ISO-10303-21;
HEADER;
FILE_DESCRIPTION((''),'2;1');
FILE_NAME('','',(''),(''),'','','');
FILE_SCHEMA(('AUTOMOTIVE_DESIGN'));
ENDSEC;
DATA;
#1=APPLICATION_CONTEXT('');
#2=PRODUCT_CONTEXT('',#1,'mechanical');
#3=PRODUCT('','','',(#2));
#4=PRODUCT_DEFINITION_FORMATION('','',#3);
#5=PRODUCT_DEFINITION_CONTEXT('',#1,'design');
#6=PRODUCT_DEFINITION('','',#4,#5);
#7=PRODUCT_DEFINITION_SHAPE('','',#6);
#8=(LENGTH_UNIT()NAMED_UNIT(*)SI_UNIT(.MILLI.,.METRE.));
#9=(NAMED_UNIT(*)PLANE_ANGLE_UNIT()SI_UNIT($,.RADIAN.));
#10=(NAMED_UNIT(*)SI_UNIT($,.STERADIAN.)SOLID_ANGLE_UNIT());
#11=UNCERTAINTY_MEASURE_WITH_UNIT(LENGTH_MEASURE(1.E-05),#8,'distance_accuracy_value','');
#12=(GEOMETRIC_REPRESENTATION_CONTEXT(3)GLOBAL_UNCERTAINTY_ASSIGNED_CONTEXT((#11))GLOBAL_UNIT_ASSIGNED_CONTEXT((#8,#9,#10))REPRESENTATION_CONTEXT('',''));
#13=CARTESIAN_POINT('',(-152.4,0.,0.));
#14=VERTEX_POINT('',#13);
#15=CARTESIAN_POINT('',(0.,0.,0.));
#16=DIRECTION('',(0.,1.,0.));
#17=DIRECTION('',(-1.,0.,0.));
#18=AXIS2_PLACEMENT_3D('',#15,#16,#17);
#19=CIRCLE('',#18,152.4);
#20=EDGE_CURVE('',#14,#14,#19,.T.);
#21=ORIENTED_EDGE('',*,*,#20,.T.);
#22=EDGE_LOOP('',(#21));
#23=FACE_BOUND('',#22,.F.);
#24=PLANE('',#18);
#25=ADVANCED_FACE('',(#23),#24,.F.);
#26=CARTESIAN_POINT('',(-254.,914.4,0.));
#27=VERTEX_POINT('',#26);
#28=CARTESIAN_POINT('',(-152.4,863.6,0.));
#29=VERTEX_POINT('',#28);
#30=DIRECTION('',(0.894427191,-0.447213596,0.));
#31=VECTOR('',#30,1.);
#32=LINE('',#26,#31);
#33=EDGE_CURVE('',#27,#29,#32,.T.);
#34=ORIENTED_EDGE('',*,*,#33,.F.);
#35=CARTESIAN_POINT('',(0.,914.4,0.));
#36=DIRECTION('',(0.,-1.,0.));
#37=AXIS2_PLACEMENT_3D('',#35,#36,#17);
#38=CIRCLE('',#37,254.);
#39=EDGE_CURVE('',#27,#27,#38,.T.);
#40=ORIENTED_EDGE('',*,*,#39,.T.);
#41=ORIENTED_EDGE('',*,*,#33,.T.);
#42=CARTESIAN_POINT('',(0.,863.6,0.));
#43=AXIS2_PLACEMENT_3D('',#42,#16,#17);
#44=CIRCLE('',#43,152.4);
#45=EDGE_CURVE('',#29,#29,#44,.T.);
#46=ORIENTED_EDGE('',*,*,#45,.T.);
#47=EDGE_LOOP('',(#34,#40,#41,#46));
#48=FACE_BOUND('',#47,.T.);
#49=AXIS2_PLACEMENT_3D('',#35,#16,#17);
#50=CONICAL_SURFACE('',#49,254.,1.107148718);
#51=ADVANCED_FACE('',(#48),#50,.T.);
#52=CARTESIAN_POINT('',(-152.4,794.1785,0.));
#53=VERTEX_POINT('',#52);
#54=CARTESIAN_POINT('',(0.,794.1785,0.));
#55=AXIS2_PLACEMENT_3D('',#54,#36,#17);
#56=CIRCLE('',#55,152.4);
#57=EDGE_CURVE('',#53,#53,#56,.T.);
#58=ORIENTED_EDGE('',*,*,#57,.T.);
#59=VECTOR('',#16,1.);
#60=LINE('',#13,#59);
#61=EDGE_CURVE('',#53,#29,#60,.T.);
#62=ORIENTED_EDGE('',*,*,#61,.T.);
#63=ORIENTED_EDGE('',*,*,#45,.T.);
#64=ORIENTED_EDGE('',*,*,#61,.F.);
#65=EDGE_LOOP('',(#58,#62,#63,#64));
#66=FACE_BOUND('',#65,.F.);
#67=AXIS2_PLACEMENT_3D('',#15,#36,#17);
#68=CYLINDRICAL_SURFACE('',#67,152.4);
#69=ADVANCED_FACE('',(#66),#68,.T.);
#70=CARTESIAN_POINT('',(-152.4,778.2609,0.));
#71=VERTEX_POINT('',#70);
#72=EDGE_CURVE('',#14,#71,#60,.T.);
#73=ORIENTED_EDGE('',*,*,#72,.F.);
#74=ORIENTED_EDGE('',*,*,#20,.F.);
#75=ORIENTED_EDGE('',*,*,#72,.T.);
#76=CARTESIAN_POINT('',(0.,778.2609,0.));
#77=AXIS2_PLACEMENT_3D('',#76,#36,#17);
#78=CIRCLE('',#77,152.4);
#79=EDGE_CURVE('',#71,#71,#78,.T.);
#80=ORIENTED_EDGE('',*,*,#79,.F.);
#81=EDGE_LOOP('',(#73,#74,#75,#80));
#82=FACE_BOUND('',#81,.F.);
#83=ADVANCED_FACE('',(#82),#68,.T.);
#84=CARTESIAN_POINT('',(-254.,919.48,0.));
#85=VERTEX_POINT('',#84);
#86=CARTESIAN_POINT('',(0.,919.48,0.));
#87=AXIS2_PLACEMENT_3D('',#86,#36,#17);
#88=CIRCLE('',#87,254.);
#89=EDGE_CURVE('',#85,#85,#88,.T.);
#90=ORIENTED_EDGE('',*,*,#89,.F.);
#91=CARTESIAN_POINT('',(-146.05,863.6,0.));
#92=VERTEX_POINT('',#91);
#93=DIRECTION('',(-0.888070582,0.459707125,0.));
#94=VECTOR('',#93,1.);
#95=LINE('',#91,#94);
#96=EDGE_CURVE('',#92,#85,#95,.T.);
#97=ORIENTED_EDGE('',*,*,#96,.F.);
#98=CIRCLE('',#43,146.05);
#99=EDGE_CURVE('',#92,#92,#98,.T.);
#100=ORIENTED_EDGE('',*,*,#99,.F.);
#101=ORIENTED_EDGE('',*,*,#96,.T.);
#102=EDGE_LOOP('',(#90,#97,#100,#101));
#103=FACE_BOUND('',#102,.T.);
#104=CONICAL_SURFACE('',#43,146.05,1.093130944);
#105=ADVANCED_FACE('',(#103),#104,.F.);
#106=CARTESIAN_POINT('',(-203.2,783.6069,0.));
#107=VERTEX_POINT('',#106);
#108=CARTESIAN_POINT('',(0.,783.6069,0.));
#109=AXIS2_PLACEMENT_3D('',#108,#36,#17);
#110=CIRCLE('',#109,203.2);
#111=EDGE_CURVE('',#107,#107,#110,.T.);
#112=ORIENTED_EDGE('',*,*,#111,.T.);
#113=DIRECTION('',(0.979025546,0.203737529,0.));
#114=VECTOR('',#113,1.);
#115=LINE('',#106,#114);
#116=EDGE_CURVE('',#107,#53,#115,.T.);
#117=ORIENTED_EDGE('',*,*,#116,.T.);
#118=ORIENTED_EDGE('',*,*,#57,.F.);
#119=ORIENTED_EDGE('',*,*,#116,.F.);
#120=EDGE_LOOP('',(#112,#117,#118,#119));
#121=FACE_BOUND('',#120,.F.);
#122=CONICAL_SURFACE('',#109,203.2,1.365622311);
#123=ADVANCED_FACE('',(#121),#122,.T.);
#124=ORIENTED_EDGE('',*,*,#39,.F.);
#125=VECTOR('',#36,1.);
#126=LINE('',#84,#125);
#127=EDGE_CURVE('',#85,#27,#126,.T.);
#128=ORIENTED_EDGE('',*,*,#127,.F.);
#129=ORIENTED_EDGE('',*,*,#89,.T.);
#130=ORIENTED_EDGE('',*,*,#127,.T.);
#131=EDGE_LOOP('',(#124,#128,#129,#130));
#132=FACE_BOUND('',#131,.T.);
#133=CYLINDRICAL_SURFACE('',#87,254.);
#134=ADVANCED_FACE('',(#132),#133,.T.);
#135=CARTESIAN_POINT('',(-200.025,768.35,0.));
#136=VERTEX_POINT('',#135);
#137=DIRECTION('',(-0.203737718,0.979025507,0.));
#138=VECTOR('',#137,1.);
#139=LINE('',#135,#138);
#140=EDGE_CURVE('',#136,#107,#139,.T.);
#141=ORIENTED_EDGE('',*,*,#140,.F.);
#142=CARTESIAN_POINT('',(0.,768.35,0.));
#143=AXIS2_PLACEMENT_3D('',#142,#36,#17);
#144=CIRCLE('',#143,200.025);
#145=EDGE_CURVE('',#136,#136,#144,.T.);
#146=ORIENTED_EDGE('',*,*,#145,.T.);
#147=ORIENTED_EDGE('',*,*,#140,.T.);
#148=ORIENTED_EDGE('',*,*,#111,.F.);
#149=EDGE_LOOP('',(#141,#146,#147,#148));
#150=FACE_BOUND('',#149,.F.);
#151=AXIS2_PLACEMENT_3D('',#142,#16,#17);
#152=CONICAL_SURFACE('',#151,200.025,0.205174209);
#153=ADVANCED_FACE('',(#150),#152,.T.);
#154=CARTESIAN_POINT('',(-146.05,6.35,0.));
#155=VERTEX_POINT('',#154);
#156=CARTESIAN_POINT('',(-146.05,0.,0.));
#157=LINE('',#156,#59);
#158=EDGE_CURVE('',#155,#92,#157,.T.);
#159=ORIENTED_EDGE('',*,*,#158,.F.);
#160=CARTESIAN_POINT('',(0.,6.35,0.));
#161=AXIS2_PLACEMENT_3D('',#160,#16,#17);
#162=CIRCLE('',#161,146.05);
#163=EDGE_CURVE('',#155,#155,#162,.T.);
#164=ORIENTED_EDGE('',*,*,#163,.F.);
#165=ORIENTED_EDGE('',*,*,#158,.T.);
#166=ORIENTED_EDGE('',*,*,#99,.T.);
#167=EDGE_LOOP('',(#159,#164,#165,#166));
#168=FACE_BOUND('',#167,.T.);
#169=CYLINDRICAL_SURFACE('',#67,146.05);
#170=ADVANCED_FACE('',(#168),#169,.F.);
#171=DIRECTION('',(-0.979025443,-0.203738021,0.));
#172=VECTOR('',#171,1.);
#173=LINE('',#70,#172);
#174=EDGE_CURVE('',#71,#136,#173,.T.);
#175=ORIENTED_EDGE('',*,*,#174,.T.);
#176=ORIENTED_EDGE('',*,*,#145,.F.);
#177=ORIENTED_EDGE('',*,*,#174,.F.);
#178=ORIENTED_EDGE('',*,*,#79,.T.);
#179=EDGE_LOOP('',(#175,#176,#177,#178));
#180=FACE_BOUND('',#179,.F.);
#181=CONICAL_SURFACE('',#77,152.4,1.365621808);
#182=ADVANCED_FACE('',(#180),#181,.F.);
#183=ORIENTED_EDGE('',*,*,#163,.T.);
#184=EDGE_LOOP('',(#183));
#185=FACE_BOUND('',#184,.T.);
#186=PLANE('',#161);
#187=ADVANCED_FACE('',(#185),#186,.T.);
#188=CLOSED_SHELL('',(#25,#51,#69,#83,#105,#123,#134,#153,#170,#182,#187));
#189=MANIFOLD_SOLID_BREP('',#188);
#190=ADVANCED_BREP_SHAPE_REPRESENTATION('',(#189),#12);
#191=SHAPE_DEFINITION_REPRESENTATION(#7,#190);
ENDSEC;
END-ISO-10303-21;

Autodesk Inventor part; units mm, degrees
ref_plane "YZ Plane" through (0, 0, 0) normal (1, 0, 0) x (0, 1, 0)
ref_plane "XZ Plane" through (0, 0, 0) normal (0, 1, 0) x (-1, 0, 0)
sketch "Sketch1" plane through (0, 0, 0) normal (0, 1, 0) x (-1, 0, 0)
  circle A0 centre (0, 0) radius 152.4
  circle A1 centre (0, 0) radius 146.05
  dimension "d0" = 304.8
  dimension "d1" = 6.35
extrude "Extrusion1" add sketch "Sketch1" along normal blind 863.6
extrude "Extrusion2" add sketch "Sketch1" along normal blind 6.35 contours A1
sketch "Sketch2" plane through (0, 6.35, 0) normal (0, 1, 0) x (1, 0, 0)
  line L0 (-219.9994, 0) -> (351.4578, 0)
  point P0 (0, 0)
ref_plane "Work Plane1" through (-219.9994, 6.35, 0) normal (0, 0, 1) x (1, 0, 0)
sketch "Sketch3" plane through (-219.9994, 6.35, 0) normal (0, 0, 1) x (1, 0, 0)
  line L0 (372.3994, 857.25) -> (67.5994, 857.25) projected
  line L1 (67.5994, 857.25) -> (67.5994, 913.13)
  line L2 (67.5994, 913.13) -> (-34.0006, 913.13)
  line L3 (-34.0006, 913.13) -> (-34.0006, 908.05)
  line L4 (-34.0006, 908.05) -> (67.5994, 857.25)
  line L5 (73.9494, 857.25) -> (366.0494, 857.25) projected
  line L6 (73.9494, 857.25) -> (-34.0006, 913.13)
  line L7 (219.9994, 947.7824) -> (219.9994, 874.9501)
  line L8 (372.3994, 857.25) -> (67.5994, 857.25) projected
  line L9 (372.3994, -6.35) -> (67.5994, -6.35) projected
  line L10 (67.5994, -6.35) -> (67.5994, 857.25) projected
  line L11 (67.5994, -6.35) -> (67.5994, 857.25) projected
  line L12 (67.5994, 771.9109) -> (19.9744, 762)
  line L13 (19.9744, 762) -> (16.7994, 777.2569)
  line L14 (16.7994, 777.2569) -> (67.5994, 787.8285)
  line L15 (67.5994, -6.35) -> (67.5994, 857.25) projected
  point P0 (219.9994, -6.35)
  point P1 (67.5994, 787.8285)
  dimension "d6" = 55.88
  dimension "d7" = 101.6
  dimension "d8" = 5.08
revolve "Revolution1" add sketch "Sketch3" angle 360 about axis through (0, 954.1324, 0) along (0, -1, 0) contours L10 L12 L13 L14 | L0 L1 L6 | L4 L3 L6 L1
properties part number "Trash bin casing X1" material "Stainless Steel"
